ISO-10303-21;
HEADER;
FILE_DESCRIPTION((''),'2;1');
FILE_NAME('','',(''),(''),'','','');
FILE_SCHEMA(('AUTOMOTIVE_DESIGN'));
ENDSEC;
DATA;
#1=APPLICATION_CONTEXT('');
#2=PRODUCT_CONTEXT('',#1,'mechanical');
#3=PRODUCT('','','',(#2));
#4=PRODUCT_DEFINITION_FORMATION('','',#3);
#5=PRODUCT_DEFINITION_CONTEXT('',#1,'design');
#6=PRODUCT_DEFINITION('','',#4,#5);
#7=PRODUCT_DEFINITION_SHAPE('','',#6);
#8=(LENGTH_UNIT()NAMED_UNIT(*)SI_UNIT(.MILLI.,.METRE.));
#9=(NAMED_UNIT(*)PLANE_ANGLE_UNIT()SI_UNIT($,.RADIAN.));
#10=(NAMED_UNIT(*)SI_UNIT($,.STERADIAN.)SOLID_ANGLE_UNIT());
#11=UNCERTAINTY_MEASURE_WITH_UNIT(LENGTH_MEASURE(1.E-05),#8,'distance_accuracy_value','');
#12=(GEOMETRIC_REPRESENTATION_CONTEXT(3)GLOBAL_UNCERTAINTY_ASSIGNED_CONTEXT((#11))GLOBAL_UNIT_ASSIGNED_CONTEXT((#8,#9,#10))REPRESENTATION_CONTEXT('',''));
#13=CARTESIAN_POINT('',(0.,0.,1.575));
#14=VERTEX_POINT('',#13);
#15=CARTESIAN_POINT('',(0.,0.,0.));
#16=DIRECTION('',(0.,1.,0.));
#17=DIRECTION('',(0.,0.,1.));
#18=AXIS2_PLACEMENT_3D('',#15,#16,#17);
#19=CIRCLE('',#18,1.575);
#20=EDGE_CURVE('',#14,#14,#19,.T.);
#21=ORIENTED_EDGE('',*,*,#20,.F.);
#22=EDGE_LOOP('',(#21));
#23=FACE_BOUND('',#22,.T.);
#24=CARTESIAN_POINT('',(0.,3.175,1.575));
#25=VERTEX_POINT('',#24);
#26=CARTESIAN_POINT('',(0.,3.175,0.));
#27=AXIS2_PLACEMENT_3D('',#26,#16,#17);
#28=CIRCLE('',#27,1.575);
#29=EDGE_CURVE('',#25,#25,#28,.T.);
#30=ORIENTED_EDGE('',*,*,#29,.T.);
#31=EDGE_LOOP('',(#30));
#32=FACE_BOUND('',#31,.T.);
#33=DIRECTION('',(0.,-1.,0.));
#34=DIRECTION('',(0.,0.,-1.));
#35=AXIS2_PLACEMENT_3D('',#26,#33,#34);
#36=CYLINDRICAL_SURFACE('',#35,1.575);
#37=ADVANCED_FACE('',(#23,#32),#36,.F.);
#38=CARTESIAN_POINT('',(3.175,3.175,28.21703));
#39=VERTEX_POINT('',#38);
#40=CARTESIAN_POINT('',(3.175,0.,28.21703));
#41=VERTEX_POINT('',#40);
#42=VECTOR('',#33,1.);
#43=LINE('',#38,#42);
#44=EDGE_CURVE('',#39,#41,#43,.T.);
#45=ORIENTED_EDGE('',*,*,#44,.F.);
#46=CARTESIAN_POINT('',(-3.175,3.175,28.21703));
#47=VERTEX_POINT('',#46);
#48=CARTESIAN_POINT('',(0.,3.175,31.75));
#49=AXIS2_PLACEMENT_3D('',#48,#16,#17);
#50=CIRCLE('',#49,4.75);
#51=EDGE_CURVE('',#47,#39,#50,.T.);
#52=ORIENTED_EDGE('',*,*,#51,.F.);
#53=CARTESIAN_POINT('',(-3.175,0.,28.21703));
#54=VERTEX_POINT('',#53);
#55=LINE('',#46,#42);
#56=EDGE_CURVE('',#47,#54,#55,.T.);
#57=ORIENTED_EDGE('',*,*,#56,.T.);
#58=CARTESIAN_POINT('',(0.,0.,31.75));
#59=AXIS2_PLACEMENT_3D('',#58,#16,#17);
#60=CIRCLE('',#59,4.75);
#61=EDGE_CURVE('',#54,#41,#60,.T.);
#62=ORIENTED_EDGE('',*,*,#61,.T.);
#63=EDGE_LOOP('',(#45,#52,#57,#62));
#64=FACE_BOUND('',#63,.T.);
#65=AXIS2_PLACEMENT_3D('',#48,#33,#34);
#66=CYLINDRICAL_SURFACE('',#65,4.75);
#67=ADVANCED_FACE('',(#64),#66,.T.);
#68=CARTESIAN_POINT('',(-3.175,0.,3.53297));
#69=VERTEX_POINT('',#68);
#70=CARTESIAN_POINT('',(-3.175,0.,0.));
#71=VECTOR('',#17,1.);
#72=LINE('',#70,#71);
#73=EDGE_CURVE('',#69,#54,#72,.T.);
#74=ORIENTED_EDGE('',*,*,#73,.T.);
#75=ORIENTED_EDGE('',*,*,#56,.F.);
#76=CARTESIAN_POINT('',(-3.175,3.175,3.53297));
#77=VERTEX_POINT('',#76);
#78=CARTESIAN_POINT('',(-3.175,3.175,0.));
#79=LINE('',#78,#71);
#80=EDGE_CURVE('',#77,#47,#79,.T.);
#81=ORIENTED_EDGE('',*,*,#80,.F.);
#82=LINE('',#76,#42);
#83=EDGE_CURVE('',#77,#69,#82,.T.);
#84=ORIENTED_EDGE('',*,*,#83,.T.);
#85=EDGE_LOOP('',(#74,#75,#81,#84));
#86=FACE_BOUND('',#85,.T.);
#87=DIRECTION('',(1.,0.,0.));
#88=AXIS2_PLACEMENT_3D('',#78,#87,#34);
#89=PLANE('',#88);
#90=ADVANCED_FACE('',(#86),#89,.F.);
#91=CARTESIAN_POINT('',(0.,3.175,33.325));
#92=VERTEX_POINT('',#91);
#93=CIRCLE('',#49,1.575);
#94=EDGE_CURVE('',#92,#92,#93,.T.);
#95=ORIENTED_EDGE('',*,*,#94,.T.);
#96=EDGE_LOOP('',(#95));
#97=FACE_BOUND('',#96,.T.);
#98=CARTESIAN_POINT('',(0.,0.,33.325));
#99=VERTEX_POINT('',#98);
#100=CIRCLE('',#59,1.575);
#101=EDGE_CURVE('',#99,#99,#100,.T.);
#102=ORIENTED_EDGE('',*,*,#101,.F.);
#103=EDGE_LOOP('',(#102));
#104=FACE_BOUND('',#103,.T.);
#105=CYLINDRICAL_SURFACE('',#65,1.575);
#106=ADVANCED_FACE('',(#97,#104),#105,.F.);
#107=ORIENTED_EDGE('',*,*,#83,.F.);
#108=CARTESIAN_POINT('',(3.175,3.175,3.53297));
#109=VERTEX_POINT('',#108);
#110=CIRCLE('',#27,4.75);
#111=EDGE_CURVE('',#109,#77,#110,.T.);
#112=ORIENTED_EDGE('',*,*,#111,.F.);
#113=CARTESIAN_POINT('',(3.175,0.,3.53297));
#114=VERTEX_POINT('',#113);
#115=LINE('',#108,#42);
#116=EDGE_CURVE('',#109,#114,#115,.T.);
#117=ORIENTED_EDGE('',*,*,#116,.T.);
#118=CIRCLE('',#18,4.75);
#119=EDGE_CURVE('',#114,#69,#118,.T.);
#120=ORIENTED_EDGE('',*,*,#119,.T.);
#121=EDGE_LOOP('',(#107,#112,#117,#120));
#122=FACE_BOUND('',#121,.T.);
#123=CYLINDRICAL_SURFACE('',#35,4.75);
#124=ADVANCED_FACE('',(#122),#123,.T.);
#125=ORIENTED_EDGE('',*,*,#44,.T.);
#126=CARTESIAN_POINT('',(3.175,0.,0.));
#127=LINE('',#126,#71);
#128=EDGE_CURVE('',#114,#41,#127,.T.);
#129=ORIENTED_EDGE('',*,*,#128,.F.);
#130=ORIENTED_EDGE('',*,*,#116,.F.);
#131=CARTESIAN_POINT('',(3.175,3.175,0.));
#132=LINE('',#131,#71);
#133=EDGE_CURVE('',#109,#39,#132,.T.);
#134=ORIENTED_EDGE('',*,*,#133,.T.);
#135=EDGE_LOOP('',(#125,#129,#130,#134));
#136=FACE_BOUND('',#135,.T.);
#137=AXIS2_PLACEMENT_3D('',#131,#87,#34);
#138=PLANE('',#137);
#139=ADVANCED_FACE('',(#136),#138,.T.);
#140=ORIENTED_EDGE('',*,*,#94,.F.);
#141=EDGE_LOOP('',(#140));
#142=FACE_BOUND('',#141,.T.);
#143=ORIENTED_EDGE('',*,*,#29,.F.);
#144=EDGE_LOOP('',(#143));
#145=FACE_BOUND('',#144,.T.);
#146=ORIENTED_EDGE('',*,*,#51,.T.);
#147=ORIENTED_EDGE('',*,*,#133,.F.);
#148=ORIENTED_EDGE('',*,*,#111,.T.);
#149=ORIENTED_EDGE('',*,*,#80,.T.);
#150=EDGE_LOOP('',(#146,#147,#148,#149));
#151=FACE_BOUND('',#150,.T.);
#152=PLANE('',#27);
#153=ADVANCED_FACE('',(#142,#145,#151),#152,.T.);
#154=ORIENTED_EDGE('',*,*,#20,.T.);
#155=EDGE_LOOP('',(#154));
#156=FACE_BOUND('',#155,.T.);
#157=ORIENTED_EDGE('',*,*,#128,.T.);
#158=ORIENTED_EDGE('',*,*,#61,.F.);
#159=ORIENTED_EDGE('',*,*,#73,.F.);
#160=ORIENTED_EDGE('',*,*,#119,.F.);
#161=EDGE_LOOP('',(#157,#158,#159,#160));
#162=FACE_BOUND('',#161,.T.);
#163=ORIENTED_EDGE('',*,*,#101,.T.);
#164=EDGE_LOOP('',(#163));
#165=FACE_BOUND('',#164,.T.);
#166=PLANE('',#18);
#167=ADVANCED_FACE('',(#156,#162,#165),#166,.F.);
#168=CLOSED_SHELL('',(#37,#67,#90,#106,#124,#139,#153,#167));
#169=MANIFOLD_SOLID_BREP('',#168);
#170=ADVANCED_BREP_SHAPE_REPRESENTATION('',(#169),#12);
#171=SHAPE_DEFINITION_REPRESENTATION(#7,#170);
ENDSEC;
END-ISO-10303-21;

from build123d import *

# Parameters (mm, degrees)
PROFILE_SKETCH_R    = 1.575
BOSS_EXTRUDE1_DEPTH = 3.175


with BuildPart() as part:
    # Profile Sketch → Boss-Extrude1 (new body)
    with BuildSketch(Plane(origin=(0, 0, 0), x_dir=(1, 0, 0), z_dir=(0, 1, 0))):
        with BuildLine():
            Line((3.175, -28.217030286), (3.175, -3.532969714))
            ThreePointArc((3.175, -3.532969714), (0, 4.75), (-3.175, -3.532969714))
            Line((-3.175, -3.532969714), (-3.175, -28.217030286))
            ThreePointArc((-3.175, -28.217030286), (0, -36.5), (3.175, -28.217030286))
        make_face()
        Circle(PROFILE_SKETCH_R, mode=Mode.SUBTRACT)
        with Locations((0, -31.75)):
            Circle(PROFILE_SKETCH_R, mode=Mode.SUBTRACT)
    extrude(amount=BOSS_EXTRUDE1_DEPTH)


solid = part.part
